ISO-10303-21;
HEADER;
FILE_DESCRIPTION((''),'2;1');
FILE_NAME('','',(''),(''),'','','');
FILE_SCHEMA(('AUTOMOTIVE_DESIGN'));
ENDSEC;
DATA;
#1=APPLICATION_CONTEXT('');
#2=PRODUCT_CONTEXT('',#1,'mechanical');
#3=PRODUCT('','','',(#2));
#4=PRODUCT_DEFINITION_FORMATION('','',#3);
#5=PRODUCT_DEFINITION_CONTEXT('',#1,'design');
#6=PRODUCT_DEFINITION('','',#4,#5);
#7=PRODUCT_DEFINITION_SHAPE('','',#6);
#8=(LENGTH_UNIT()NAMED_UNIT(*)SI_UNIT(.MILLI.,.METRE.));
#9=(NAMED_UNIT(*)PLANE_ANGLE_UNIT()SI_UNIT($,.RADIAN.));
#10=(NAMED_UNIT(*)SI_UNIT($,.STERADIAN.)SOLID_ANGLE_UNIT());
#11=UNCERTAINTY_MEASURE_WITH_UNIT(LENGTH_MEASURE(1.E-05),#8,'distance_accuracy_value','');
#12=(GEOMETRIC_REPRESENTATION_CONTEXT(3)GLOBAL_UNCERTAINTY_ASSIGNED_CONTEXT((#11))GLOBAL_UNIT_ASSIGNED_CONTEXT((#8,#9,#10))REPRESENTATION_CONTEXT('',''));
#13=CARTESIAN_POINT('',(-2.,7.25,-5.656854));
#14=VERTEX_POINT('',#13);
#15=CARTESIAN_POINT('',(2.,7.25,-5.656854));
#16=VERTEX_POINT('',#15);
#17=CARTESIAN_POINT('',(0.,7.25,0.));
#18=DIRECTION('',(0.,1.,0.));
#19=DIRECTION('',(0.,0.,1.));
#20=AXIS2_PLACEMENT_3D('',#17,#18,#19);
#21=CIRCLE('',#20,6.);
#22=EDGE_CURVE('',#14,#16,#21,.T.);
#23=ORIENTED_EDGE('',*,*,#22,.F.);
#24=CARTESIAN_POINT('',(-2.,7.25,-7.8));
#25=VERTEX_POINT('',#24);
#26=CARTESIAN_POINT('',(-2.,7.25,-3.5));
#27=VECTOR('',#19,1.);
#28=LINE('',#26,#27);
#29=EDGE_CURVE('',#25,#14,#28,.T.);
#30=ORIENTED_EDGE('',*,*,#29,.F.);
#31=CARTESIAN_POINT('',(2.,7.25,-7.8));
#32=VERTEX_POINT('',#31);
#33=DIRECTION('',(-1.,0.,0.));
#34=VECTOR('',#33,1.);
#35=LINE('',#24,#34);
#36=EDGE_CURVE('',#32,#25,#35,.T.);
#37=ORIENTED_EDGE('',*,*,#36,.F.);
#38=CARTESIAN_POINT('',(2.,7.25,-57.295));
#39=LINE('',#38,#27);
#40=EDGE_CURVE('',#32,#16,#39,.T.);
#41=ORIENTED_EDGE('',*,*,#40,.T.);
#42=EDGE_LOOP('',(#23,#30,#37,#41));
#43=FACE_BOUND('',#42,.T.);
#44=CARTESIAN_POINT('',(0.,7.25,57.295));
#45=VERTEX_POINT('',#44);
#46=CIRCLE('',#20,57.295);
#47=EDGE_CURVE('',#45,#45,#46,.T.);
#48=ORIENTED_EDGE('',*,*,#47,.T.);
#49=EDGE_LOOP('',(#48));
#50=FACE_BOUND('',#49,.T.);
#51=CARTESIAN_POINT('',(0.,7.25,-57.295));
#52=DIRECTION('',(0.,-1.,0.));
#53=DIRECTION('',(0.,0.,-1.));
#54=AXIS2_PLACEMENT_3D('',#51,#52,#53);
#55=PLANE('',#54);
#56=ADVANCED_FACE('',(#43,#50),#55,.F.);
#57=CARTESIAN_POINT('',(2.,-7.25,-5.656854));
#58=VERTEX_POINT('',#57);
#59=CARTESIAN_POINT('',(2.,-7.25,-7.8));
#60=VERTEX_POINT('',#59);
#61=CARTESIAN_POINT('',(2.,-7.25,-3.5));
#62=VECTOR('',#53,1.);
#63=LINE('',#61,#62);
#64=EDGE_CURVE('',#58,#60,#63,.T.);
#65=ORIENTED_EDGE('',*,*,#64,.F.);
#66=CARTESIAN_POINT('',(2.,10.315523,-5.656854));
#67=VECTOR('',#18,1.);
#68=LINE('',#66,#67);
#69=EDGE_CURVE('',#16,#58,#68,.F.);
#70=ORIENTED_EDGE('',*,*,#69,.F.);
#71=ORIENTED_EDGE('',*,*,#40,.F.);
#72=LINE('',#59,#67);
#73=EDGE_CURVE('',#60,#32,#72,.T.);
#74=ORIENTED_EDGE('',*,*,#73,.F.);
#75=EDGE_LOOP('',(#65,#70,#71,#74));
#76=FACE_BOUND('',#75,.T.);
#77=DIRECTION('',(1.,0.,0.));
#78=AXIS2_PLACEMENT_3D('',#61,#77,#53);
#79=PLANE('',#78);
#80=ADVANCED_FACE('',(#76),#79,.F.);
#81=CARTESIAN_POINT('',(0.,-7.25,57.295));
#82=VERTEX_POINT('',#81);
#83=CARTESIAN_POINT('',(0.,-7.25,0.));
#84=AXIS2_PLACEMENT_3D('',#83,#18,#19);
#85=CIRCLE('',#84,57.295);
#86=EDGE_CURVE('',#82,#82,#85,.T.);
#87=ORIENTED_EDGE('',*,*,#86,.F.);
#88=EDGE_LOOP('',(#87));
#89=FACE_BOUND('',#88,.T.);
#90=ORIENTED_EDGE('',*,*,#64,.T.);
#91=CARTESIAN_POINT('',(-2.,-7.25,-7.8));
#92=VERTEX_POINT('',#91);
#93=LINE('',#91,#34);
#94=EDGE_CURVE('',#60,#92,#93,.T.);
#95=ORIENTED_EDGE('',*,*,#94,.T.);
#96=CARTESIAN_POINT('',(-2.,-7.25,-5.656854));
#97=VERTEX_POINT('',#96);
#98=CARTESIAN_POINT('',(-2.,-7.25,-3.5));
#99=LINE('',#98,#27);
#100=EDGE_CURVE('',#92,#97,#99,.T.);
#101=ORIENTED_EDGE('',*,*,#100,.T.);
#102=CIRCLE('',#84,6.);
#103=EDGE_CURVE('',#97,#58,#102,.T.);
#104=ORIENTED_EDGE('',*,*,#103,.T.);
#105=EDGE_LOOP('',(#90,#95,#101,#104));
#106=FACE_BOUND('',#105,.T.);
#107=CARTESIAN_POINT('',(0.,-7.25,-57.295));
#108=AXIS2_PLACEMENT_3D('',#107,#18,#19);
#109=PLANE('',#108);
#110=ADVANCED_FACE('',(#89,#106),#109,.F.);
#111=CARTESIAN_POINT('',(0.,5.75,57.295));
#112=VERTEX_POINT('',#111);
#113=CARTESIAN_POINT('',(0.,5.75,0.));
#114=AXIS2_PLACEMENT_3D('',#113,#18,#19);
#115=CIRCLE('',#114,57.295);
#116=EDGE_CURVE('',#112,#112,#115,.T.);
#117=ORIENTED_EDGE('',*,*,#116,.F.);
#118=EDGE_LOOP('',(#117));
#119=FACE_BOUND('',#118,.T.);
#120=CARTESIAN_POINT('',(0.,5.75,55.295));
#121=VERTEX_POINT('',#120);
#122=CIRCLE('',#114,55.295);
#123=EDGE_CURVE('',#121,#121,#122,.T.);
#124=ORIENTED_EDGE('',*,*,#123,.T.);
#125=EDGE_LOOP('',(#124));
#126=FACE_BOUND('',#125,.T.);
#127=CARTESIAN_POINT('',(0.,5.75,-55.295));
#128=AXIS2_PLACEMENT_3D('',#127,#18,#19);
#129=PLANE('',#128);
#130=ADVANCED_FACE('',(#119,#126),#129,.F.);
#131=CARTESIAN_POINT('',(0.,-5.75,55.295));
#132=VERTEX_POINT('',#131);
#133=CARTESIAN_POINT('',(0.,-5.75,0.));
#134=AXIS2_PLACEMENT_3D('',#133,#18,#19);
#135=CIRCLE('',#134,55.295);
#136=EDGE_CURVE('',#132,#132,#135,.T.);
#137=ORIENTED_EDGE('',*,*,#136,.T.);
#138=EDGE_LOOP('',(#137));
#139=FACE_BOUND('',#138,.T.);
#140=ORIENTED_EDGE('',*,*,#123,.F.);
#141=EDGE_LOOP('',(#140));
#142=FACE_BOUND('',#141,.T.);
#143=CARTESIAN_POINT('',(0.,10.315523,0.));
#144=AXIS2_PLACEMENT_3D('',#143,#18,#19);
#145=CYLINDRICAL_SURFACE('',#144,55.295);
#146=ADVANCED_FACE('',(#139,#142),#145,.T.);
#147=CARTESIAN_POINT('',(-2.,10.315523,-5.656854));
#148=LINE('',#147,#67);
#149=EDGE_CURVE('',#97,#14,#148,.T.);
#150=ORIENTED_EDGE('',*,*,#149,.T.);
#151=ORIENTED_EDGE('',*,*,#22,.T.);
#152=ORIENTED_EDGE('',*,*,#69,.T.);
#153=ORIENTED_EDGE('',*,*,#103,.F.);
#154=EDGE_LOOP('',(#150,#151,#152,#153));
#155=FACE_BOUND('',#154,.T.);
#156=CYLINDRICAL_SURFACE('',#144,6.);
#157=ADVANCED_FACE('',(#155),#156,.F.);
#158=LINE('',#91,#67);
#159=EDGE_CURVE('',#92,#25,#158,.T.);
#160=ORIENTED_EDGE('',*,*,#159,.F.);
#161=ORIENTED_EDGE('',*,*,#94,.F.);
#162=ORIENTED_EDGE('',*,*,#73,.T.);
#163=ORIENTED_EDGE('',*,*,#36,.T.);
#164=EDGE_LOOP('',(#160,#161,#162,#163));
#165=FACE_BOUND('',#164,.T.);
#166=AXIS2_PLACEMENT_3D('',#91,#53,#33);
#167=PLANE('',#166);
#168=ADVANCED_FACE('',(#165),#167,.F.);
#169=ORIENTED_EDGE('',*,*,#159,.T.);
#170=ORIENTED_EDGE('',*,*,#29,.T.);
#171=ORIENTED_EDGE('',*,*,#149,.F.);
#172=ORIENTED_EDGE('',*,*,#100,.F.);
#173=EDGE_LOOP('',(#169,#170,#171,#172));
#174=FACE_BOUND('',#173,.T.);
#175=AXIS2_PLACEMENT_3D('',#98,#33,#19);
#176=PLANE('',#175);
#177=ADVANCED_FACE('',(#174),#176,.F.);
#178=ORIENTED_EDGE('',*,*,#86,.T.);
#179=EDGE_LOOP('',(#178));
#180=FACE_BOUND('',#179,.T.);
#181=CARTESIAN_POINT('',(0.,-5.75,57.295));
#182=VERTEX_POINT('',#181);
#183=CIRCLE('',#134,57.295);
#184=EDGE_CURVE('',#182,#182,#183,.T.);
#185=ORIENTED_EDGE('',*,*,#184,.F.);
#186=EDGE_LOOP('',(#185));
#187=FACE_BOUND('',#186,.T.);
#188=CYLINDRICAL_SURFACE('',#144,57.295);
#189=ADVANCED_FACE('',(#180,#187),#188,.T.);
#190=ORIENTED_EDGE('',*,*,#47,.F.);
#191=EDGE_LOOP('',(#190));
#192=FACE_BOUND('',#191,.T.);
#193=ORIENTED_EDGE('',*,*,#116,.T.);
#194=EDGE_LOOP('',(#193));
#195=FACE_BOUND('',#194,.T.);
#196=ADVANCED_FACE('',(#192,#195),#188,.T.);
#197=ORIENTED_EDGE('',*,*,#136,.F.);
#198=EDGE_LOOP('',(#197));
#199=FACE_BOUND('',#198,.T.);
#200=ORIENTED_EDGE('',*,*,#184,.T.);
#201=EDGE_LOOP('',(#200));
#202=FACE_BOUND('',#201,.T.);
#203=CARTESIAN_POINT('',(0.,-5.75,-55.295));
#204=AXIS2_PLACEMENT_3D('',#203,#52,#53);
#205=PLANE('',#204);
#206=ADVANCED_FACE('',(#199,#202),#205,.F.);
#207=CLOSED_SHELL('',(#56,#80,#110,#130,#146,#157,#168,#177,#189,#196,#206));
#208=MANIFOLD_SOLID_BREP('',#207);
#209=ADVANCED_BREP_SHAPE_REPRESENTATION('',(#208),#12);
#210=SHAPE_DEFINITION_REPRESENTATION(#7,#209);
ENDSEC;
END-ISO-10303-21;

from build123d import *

# Parameters (mm, degrees)
SKETCH2_W          = 4
SKETCH2_H          = 4.3
CUT_EXTRUDE1_DEPTH = 83.314543369


with BuildPart() as part:
    # Sketch1 → Revolve1 (revolve)
    with BuildSketch(Plane(origin=(0, 0, 0), x_dir=(0, 0, -1), z_dir=(1, 0, 0)), mode=Mode.PRIVATE) as revolve1_sk:
        Polygon((55.295, -5.75), (55.295, 5.75), (57.295, 5.75), (57.295, 7.25), (6, 7.25), (6, -7.25), (57.295, -7.25), (57.295, -5.75), align=None)
    revolve(revolve1_sk.sketch.rotate(Axis((0, 10.31552251, 0), (0, -1, 0)), 180), axis=Axis((0, 10.31552251, 0), (0, -1, 0)))

    # Sketch2 → Cut-Extrude1 (cut, through all)
    with BuildSketch(Plane(origin=(0, 7.25, 0), x_dir=(1, 0, 0), z_dir=(0, 1, 0))):
        with Locations((0, 5.65)):
            Rectangle(SKETCH2_W, SKETCH2_H)
    extrude(amount=-CUT_EXTRUDE1_DEPTH, mode=Mode.SUBTRACT)


solid = part.part
